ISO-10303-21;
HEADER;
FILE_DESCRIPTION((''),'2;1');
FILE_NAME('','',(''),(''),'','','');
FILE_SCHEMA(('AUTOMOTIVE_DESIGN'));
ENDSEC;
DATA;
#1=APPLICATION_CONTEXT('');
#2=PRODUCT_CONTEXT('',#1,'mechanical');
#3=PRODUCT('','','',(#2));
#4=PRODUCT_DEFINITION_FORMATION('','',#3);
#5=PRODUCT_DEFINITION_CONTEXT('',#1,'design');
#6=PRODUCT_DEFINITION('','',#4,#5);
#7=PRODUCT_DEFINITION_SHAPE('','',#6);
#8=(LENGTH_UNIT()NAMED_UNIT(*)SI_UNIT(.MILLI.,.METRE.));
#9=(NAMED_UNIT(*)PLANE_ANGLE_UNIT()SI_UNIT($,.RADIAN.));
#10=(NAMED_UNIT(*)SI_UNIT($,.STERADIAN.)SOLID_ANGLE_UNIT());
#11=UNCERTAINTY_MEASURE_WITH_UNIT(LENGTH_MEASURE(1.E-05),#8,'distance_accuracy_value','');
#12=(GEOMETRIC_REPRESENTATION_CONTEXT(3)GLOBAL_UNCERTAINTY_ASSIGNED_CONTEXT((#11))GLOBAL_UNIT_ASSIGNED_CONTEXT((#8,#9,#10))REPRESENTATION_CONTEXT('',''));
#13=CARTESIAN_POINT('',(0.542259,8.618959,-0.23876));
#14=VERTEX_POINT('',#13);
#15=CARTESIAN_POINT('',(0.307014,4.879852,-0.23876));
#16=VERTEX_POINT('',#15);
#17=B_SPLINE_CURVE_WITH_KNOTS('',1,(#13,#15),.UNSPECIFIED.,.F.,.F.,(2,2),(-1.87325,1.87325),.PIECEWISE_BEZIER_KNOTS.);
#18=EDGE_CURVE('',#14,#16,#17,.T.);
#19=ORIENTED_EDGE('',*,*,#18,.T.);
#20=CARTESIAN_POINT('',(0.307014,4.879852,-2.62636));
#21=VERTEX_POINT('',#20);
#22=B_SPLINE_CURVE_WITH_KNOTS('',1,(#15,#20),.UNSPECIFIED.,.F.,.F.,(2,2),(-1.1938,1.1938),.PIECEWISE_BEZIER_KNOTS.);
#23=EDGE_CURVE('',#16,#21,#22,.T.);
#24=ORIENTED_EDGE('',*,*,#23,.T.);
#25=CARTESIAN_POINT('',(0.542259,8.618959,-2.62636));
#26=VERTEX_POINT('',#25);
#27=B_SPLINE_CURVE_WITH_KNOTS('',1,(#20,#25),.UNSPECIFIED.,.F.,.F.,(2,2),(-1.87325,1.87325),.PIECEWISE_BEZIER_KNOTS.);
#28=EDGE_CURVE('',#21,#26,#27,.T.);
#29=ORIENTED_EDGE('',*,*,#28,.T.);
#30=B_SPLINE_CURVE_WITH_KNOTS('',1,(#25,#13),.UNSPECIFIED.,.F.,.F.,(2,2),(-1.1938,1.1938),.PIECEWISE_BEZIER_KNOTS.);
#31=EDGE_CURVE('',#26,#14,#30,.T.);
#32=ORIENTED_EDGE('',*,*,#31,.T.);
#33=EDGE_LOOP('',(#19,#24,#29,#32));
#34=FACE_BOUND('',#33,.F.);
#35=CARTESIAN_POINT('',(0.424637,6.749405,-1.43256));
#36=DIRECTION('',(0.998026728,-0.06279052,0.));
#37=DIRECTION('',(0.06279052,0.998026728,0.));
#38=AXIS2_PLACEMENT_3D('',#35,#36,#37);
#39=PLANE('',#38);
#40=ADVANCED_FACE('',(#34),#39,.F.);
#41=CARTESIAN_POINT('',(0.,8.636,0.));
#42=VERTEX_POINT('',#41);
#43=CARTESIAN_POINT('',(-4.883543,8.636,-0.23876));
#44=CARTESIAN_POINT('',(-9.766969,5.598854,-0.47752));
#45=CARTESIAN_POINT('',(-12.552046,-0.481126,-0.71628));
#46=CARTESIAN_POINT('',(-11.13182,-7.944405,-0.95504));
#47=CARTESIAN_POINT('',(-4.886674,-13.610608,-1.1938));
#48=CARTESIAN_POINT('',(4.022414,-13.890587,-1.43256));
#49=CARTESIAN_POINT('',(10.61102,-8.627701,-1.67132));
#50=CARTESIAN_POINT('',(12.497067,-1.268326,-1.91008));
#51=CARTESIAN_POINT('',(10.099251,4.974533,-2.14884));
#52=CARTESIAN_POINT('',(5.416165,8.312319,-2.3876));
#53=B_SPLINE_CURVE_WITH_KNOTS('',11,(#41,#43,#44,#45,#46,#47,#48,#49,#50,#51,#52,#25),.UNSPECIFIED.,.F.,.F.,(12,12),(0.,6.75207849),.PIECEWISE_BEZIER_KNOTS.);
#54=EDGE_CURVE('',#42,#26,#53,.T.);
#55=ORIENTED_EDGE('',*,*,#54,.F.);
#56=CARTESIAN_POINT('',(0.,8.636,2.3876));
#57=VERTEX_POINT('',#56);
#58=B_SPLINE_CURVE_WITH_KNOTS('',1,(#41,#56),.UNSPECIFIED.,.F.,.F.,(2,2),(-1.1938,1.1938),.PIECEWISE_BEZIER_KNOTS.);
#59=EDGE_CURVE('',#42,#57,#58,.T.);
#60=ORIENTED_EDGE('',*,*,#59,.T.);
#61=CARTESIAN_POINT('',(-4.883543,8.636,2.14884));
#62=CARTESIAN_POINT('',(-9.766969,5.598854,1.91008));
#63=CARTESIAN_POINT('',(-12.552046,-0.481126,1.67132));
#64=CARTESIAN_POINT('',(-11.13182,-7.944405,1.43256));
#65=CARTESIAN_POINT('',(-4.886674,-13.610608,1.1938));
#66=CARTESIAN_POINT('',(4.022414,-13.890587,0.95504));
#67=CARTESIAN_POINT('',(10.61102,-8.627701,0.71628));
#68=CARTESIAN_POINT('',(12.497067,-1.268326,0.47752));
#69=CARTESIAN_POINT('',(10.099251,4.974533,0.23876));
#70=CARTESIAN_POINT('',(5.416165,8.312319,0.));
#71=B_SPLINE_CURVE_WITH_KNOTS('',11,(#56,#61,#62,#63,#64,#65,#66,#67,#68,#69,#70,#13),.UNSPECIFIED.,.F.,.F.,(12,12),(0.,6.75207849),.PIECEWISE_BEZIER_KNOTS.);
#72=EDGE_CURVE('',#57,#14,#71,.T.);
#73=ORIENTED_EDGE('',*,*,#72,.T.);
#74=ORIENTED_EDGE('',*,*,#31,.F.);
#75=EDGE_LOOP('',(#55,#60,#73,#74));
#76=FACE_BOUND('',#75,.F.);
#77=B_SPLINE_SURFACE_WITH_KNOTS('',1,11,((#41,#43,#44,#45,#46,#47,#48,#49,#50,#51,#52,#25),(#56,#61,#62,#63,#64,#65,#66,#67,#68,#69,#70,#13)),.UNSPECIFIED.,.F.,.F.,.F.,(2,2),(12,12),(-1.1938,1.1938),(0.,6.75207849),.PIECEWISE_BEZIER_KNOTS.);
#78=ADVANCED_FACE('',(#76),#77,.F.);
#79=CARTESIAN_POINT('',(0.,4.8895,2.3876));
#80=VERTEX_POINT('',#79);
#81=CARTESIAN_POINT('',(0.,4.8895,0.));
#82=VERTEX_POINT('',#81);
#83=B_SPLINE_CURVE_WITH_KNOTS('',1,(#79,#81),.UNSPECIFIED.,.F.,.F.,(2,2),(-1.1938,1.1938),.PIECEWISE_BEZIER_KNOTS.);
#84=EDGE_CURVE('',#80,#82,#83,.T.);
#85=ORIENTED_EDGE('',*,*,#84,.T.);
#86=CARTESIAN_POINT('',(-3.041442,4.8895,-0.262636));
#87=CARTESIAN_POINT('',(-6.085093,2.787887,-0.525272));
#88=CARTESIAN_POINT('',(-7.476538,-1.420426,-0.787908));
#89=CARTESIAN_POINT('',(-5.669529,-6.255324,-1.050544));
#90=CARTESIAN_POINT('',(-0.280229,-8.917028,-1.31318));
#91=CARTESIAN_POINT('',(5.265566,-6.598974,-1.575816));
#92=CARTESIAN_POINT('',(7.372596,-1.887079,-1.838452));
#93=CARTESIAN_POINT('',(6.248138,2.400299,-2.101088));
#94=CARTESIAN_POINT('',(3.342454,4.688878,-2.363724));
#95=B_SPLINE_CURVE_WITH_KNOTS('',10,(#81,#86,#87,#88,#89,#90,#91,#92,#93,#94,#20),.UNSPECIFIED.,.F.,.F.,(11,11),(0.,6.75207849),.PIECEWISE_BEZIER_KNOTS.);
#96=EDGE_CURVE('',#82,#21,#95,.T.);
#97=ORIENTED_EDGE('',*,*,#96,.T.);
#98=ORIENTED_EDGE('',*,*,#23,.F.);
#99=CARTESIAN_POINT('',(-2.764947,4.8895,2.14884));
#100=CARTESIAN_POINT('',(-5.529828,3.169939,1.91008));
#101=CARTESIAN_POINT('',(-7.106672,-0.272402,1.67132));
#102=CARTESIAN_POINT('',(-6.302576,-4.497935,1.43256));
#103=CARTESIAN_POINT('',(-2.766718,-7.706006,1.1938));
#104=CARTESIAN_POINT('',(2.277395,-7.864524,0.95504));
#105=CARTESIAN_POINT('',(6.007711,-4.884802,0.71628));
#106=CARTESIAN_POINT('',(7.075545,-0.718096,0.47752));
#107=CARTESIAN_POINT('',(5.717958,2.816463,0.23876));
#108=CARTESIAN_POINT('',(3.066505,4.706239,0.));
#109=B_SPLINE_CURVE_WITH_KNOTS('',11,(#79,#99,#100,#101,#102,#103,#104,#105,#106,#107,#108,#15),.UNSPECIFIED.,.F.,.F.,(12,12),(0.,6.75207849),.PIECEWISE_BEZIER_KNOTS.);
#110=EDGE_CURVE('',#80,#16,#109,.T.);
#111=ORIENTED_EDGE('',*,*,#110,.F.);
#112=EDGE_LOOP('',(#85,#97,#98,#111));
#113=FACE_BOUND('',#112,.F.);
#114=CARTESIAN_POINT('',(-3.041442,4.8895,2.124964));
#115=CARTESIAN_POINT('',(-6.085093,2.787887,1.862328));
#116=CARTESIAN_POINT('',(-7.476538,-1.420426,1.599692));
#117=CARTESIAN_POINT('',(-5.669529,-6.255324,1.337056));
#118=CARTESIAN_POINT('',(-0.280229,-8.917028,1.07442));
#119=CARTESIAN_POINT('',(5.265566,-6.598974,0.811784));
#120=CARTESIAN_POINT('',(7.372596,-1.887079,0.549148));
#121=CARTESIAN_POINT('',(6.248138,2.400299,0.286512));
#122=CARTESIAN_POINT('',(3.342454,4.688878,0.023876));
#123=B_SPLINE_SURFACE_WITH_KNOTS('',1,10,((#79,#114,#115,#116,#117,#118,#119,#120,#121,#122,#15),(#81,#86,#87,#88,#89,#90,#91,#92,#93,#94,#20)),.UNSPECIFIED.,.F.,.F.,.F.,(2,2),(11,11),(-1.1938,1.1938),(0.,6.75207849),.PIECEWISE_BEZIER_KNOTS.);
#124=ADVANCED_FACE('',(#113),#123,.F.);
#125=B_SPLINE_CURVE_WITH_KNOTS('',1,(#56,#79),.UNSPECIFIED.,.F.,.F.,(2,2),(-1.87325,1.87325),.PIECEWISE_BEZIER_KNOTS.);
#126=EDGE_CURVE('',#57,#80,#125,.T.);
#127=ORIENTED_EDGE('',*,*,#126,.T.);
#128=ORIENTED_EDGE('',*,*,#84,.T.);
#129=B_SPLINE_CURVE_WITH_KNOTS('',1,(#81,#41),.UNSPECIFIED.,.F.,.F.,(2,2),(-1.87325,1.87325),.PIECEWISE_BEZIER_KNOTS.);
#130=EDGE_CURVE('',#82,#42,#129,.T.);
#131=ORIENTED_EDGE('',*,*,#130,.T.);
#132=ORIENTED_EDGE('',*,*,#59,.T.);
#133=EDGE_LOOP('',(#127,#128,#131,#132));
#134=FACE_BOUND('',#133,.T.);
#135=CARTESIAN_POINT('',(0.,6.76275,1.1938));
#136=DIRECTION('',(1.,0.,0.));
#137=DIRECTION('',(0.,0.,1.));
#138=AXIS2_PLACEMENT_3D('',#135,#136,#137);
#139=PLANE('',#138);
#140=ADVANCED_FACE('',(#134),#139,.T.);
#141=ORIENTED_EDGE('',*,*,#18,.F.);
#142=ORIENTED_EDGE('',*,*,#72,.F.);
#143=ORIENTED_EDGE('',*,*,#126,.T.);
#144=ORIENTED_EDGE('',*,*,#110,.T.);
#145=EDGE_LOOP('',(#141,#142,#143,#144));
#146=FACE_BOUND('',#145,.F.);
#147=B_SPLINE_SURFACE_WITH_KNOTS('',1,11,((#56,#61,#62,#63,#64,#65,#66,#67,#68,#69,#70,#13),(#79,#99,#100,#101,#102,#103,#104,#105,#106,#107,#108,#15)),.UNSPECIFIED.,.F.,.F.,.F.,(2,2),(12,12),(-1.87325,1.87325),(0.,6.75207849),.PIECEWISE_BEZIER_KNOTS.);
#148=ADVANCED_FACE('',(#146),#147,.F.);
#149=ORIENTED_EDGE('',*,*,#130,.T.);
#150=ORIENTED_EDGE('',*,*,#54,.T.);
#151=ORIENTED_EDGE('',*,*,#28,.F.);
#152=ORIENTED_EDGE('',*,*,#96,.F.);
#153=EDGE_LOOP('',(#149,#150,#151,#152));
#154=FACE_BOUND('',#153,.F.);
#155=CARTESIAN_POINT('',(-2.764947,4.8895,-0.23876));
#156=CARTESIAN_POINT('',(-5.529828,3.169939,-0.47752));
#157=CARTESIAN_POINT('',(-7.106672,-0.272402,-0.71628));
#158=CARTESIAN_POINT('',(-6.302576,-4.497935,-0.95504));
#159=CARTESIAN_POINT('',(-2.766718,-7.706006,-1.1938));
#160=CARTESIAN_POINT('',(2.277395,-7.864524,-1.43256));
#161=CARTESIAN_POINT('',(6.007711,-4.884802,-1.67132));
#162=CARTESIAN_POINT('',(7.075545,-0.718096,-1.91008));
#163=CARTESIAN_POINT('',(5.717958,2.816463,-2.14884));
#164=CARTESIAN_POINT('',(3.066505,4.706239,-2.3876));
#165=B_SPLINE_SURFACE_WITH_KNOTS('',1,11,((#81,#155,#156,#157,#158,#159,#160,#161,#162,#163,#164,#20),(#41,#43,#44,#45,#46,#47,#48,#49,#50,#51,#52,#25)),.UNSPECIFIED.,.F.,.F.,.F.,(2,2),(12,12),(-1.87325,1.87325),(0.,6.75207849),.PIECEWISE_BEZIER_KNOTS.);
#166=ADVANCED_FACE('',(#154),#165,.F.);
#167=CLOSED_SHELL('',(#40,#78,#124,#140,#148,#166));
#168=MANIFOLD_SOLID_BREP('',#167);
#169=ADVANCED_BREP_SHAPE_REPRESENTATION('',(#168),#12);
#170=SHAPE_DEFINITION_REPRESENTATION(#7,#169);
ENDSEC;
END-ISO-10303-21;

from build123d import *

# Parameters (mm, degrees)
SWEEP1_PITCH       = 2.652888889
SWEEP1_HEIGHT      = 2.62636
SWEEP1_RADIUS      = 8.636
SWEEP1_START_ANGLE = 90
SKETCH2_W          = 2.3876
SKETCH2_H          = 3.7465


with BuildPart() as part:
    # Sweep1: sweep along a helix
    with BuildLine() as sweep1_path:
        add(Helix(SWEEP1_PITCH, SWEEP1_HEIGHT, SWEEP1_RADIUS, center=(0, 0, 0), direction=(0, 0, -1), lefthand=True, mode=Mode.PRIVATE).rotate(Axis((0, 0, 0), (0, 0, -1)), SWEEP1_START_ANGLE))
    # Sketch2 → Sweep1 (sweep)
    with BuildSketch(Plane(origin=(0, 0, 0), x_dir=(0, 0, -1), z_dir=(1, 0, 0))):
        with Locations((-1.1938, 6.76275)):
            Rectangle(SKETCH2_W, SKETCH2_H)
    sweep(path=sweep1_path.line, is_frenet=True)


solid = part.part
